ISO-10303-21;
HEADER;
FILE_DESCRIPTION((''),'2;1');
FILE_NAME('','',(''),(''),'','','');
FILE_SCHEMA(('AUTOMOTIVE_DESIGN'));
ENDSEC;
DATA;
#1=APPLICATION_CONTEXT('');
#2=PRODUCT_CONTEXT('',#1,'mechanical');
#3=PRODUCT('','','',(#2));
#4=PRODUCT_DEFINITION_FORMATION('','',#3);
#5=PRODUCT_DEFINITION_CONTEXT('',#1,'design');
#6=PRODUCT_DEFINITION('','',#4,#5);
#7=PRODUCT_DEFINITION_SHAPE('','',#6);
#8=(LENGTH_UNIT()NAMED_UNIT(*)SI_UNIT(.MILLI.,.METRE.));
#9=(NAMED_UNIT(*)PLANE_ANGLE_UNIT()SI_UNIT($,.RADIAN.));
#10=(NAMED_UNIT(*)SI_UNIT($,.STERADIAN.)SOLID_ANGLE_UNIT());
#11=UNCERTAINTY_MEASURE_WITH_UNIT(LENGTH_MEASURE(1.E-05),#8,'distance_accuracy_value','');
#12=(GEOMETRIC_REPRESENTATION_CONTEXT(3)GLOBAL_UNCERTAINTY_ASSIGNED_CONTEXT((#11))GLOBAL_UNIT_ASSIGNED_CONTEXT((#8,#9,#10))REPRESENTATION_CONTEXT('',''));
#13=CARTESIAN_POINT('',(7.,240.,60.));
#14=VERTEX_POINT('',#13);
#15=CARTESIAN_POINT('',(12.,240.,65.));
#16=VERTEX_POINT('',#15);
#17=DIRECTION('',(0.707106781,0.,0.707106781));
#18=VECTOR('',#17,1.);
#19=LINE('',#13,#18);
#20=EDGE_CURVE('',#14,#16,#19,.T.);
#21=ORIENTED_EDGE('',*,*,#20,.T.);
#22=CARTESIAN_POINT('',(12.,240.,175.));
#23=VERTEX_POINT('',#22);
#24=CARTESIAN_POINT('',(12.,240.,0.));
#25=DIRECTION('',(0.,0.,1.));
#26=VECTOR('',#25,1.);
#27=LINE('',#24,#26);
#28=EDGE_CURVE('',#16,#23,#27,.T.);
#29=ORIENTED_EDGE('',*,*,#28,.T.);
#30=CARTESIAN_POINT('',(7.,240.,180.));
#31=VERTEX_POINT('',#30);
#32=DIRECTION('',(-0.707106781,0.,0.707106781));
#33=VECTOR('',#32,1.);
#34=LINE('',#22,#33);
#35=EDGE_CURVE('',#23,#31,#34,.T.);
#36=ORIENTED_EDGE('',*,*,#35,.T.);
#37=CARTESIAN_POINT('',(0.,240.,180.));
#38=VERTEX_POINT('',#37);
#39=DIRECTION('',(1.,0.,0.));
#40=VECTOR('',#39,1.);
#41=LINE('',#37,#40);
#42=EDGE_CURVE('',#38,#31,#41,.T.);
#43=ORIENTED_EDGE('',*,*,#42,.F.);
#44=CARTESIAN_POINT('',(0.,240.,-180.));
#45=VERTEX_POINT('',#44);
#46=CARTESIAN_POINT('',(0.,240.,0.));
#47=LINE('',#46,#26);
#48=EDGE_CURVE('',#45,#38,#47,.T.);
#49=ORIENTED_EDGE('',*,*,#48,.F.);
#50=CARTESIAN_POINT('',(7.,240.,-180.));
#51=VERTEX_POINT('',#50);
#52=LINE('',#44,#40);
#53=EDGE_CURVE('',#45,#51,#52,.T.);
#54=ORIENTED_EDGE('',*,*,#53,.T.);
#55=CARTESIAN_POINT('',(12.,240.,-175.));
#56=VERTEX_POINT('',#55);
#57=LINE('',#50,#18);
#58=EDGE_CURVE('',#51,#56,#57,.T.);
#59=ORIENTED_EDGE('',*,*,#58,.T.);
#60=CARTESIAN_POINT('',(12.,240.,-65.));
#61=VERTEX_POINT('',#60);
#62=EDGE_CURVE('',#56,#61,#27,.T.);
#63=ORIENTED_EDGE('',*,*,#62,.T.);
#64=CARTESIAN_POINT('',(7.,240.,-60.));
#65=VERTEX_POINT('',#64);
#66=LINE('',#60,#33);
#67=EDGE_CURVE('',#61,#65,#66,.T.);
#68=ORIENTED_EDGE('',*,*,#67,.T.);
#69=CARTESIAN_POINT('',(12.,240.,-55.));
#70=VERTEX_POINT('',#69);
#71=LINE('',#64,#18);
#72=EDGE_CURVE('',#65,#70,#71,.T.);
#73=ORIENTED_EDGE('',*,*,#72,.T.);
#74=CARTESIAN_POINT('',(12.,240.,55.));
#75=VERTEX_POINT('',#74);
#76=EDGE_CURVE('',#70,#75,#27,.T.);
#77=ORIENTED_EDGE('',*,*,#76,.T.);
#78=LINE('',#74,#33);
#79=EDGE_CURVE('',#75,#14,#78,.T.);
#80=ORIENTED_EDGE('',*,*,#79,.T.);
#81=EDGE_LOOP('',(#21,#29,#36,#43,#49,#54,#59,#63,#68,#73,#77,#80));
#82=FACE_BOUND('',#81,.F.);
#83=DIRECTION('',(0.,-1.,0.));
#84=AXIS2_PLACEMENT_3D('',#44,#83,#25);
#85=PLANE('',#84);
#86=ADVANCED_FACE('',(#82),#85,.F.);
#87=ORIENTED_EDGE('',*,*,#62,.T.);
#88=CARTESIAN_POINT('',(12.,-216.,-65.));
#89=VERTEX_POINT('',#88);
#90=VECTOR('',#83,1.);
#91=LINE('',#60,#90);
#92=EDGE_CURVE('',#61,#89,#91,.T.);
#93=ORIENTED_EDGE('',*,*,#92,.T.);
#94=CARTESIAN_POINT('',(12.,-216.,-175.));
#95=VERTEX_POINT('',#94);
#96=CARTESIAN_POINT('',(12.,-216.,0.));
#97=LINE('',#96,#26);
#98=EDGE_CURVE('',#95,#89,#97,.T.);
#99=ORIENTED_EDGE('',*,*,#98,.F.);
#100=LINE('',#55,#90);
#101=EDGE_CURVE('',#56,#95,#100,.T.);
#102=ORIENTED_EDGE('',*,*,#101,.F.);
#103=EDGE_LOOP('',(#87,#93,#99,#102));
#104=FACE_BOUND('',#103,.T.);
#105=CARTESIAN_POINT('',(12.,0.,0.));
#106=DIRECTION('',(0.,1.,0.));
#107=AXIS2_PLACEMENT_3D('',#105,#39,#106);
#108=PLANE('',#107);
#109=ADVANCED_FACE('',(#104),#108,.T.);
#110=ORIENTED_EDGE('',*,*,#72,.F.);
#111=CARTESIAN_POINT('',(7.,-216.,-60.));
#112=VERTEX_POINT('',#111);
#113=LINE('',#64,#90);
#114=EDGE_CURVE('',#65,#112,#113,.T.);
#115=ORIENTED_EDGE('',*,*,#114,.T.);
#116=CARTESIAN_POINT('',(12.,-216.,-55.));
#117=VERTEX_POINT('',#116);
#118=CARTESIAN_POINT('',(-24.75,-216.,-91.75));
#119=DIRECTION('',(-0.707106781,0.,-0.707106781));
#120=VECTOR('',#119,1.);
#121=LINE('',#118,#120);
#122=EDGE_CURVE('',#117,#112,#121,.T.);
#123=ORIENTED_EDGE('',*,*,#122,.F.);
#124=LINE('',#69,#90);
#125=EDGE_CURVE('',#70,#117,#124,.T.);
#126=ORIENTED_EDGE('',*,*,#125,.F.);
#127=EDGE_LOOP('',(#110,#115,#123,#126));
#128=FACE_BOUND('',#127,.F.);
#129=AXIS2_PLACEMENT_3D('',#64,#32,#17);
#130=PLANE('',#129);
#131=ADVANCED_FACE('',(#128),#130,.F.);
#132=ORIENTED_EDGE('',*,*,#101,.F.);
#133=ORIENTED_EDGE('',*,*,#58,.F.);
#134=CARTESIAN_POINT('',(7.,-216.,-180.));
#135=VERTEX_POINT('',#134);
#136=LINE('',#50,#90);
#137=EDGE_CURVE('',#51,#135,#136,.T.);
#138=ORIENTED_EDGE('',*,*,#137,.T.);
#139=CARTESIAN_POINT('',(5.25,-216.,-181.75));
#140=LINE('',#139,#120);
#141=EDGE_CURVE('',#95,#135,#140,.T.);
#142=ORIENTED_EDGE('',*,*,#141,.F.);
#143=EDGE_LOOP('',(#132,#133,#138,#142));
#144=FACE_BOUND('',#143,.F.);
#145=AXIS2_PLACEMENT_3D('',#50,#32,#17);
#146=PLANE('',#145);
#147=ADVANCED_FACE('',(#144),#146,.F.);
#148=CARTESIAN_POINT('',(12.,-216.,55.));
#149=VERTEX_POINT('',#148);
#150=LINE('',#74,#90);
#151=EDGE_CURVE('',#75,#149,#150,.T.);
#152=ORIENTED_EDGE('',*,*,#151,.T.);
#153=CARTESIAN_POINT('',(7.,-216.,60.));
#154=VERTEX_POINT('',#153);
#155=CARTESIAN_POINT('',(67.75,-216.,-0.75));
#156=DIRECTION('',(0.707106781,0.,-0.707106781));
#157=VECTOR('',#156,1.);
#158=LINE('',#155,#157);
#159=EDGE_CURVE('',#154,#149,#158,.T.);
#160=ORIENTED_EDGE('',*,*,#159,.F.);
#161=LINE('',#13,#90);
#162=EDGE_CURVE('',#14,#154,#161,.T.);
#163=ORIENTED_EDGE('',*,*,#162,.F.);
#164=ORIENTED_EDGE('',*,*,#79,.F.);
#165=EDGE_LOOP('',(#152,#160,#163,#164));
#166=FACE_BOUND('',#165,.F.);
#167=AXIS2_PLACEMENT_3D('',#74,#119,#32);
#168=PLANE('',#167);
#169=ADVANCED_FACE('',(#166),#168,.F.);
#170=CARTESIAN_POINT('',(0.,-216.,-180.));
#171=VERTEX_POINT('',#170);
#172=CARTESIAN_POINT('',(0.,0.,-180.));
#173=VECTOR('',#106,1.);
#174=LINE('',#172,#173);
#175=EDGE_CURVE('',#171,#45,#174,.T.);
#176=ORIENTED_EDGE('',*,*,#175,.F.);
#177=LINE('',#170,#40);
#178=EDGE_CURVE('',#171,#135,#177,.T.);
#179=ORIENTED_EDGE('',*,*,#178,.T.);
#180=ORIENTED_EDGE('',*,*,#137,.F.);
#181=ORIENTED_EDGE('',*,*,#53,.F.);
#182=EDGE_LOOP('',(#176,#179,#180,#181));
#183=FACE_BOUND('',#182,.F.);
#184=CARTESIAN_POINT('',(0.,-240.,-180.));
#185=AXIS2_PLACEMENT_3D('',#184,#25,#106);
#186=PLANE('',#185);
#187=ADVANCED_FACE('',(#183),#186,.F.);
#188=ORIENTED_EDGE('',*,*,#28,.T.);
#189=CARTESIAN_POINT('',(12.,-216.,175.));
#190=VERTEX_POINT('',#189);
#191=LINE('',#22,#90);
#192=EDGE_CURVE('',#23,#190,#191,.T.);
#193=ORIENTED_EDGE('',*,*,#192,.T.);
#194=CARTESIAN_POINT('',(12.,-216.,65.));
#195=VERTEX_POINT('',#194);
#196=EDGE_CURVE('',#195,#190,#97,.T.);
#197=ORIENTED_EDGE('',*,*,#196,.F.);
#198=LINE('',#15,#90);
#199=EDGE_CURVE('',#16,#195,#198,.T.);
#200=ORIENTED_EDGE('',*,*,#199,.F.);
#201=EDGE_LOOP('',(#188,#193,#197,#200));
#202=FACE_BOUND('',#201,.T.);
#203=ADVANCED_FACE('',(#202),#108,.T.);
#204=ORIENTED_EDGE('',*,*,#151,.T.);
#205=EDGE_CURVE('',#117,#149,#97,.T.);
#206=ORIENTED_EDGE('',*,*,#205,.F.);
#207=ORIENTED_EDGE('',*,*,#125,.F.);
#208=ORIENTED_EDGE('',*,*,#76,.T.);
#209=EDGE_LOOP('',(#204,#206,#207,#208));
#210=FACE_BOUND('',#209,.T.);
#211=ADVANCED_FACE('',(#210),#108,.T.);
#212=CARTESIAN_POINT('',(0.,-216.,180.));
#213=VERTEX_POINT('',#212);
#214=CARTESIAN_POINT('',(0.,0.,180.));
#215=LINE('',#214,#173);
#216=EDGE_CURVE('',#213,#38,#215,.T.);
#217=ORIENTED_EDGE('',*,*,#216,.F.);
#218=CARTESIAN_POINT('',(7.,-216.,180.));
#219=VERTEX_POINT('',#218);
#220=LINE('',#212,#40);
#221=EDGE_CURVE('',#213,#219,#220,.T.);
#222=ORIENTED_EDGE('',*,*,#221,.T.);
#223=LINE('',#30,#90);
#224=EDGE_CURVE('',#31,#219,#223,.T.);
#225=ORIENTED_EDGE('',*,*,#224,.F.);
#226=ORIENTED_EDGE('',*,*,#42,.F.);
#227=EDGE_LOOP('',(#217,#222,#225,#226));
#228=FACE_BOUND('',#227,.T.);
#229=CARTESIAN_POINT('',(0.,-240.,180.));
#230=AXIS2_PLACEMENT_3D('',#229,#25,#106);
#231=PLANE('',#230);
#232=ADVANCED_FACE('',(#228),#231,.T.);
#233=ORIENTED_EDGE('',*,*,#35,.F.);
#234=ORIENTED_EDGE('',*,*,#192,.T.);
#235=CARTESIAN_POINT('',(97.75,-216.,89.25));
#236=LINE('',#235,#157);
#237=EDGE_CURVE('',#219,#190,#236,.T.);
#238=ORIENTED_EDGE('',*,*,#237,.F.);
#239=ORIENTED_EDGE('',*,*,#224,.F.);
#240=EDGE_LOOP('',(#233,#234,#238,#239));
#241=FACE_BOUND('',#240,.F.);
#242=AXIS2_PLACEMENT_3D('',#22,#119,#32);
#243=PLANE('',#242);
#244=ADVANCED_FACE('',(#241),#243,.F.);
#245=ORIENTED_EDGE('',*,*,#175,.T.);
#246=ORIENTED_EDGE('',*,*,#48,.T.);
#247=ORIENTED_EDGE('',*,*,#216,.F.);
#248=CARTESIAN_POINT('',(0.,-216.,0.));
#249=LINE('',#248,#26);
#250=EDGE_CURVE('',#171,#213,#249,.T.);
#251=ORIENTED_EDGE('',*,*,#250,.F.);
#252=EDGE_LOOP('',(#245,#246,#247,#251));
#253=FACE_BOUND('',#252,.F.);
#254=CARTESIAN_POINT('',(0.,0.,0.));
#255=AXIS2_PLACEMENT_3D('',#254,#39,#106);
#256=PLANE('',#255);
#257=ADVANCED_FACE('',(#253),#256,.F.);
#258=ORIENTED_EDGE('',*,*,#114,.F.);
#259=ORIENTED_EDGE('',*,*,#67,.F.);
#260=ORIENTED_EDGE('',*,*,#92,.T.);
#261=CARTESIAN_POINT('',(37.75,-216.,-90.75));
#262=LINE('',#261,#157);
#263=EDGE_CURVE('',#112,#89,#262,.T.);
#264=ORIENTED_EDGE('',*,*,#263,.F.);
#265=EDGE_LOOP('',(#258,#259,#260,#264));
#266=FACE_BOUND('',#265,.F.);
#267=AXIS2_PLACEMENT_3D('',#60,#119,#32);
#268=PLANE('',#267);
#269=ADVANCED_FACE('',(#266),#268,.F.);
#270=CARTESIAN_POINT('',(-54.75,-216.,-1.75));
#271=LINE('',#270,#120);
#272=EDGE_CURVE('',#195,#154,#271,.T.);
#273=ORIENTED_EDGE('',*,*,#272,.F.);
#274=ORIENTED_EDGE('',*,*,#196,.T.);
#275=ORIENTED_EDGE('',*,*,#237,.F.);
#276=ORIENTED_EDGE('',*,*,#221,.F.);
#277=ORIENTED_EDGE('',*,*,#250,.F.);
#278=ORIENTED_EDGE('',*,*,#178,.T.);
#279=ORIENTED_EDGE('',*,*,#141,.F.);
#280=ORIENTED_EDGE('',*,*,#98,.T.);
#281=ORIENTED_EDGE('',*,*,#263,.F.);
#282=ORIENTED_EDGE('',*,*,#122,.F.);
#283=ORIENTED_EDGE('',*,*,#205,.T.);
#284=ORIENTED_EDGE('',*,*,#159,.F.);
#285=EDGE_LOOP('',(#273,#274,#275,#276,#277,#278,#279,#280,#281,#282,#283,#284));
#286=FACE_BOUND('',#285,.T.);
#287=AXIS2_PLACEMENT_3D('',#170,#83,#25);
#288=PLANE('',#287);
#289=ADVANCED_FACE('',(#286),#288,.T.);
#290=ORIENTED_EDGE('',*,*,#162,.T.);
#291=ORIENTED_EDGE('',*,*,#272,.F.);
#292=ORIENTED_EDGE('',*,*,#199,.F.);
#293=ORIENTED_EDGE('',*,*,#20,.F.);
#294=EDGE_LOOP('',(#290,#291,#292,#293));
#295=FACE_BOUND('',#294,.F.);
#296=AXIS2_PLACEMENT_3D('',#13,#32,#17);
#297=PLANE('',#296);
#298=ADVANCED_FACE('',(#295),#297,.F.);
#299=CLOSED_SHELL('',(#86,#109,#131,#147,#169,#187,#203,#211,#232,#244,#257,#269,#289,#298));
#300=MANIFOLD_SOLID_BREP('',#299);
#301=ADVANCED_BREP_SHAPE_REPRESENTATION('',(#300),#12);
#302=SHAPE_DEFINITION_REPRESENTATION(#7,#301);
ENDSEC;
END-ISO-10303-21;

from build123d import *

# Parameters (mm, degrees)
F0_W     = 480
F0_H     = 360
F1_DEPTH = 12
F3_DEPTH = 480.001
F4_DEPTH = 24


with BuildPart() as f1:
    # F0 (on Right) → F1 (new body)
    with BuildSketch(Plane.YZ):
        Rectangle(F0_W, F0_H)
    extrude(amount=F1_DEPTH)

    # F2 (on face) → F3 (cut, through all)
    with BuildSketch(Plane(origin=(0, 240, 0), x_dir=(-1, 0, 0), z_dir=(0, 1, 0))):
        Polygon((-12, -175), (-12, -180), (-7, -180), align=None)
        Polygon((-7, -60), (-12, -60), (-12, -65), align=None)
        Polygon((-12, -55), (-12, -60), (-7, -60), align=None)
        Polygon((-7, 60), (-12, 60), (-12, 55), align=None)
        Polygon((-12, 65), (-12, 60), (-7, 60), align=None)
        Polygon((-7, 180), (-12, 180), (-12, 175), align=None)
    extrude(amount=-F3_DEPTH, mode=Mode.SUBTRACT)

    # F4 (cut): a face of the model
    f4_faces = [f1.faces().sort_by_distance(p)[0] for p in [
        (5.9234393404, -240, 0),
    ]]
    extrude(f4_faces, amount=-F4_DEPTH, mode=Mode.SUBTRACT)


solid = f1.part
